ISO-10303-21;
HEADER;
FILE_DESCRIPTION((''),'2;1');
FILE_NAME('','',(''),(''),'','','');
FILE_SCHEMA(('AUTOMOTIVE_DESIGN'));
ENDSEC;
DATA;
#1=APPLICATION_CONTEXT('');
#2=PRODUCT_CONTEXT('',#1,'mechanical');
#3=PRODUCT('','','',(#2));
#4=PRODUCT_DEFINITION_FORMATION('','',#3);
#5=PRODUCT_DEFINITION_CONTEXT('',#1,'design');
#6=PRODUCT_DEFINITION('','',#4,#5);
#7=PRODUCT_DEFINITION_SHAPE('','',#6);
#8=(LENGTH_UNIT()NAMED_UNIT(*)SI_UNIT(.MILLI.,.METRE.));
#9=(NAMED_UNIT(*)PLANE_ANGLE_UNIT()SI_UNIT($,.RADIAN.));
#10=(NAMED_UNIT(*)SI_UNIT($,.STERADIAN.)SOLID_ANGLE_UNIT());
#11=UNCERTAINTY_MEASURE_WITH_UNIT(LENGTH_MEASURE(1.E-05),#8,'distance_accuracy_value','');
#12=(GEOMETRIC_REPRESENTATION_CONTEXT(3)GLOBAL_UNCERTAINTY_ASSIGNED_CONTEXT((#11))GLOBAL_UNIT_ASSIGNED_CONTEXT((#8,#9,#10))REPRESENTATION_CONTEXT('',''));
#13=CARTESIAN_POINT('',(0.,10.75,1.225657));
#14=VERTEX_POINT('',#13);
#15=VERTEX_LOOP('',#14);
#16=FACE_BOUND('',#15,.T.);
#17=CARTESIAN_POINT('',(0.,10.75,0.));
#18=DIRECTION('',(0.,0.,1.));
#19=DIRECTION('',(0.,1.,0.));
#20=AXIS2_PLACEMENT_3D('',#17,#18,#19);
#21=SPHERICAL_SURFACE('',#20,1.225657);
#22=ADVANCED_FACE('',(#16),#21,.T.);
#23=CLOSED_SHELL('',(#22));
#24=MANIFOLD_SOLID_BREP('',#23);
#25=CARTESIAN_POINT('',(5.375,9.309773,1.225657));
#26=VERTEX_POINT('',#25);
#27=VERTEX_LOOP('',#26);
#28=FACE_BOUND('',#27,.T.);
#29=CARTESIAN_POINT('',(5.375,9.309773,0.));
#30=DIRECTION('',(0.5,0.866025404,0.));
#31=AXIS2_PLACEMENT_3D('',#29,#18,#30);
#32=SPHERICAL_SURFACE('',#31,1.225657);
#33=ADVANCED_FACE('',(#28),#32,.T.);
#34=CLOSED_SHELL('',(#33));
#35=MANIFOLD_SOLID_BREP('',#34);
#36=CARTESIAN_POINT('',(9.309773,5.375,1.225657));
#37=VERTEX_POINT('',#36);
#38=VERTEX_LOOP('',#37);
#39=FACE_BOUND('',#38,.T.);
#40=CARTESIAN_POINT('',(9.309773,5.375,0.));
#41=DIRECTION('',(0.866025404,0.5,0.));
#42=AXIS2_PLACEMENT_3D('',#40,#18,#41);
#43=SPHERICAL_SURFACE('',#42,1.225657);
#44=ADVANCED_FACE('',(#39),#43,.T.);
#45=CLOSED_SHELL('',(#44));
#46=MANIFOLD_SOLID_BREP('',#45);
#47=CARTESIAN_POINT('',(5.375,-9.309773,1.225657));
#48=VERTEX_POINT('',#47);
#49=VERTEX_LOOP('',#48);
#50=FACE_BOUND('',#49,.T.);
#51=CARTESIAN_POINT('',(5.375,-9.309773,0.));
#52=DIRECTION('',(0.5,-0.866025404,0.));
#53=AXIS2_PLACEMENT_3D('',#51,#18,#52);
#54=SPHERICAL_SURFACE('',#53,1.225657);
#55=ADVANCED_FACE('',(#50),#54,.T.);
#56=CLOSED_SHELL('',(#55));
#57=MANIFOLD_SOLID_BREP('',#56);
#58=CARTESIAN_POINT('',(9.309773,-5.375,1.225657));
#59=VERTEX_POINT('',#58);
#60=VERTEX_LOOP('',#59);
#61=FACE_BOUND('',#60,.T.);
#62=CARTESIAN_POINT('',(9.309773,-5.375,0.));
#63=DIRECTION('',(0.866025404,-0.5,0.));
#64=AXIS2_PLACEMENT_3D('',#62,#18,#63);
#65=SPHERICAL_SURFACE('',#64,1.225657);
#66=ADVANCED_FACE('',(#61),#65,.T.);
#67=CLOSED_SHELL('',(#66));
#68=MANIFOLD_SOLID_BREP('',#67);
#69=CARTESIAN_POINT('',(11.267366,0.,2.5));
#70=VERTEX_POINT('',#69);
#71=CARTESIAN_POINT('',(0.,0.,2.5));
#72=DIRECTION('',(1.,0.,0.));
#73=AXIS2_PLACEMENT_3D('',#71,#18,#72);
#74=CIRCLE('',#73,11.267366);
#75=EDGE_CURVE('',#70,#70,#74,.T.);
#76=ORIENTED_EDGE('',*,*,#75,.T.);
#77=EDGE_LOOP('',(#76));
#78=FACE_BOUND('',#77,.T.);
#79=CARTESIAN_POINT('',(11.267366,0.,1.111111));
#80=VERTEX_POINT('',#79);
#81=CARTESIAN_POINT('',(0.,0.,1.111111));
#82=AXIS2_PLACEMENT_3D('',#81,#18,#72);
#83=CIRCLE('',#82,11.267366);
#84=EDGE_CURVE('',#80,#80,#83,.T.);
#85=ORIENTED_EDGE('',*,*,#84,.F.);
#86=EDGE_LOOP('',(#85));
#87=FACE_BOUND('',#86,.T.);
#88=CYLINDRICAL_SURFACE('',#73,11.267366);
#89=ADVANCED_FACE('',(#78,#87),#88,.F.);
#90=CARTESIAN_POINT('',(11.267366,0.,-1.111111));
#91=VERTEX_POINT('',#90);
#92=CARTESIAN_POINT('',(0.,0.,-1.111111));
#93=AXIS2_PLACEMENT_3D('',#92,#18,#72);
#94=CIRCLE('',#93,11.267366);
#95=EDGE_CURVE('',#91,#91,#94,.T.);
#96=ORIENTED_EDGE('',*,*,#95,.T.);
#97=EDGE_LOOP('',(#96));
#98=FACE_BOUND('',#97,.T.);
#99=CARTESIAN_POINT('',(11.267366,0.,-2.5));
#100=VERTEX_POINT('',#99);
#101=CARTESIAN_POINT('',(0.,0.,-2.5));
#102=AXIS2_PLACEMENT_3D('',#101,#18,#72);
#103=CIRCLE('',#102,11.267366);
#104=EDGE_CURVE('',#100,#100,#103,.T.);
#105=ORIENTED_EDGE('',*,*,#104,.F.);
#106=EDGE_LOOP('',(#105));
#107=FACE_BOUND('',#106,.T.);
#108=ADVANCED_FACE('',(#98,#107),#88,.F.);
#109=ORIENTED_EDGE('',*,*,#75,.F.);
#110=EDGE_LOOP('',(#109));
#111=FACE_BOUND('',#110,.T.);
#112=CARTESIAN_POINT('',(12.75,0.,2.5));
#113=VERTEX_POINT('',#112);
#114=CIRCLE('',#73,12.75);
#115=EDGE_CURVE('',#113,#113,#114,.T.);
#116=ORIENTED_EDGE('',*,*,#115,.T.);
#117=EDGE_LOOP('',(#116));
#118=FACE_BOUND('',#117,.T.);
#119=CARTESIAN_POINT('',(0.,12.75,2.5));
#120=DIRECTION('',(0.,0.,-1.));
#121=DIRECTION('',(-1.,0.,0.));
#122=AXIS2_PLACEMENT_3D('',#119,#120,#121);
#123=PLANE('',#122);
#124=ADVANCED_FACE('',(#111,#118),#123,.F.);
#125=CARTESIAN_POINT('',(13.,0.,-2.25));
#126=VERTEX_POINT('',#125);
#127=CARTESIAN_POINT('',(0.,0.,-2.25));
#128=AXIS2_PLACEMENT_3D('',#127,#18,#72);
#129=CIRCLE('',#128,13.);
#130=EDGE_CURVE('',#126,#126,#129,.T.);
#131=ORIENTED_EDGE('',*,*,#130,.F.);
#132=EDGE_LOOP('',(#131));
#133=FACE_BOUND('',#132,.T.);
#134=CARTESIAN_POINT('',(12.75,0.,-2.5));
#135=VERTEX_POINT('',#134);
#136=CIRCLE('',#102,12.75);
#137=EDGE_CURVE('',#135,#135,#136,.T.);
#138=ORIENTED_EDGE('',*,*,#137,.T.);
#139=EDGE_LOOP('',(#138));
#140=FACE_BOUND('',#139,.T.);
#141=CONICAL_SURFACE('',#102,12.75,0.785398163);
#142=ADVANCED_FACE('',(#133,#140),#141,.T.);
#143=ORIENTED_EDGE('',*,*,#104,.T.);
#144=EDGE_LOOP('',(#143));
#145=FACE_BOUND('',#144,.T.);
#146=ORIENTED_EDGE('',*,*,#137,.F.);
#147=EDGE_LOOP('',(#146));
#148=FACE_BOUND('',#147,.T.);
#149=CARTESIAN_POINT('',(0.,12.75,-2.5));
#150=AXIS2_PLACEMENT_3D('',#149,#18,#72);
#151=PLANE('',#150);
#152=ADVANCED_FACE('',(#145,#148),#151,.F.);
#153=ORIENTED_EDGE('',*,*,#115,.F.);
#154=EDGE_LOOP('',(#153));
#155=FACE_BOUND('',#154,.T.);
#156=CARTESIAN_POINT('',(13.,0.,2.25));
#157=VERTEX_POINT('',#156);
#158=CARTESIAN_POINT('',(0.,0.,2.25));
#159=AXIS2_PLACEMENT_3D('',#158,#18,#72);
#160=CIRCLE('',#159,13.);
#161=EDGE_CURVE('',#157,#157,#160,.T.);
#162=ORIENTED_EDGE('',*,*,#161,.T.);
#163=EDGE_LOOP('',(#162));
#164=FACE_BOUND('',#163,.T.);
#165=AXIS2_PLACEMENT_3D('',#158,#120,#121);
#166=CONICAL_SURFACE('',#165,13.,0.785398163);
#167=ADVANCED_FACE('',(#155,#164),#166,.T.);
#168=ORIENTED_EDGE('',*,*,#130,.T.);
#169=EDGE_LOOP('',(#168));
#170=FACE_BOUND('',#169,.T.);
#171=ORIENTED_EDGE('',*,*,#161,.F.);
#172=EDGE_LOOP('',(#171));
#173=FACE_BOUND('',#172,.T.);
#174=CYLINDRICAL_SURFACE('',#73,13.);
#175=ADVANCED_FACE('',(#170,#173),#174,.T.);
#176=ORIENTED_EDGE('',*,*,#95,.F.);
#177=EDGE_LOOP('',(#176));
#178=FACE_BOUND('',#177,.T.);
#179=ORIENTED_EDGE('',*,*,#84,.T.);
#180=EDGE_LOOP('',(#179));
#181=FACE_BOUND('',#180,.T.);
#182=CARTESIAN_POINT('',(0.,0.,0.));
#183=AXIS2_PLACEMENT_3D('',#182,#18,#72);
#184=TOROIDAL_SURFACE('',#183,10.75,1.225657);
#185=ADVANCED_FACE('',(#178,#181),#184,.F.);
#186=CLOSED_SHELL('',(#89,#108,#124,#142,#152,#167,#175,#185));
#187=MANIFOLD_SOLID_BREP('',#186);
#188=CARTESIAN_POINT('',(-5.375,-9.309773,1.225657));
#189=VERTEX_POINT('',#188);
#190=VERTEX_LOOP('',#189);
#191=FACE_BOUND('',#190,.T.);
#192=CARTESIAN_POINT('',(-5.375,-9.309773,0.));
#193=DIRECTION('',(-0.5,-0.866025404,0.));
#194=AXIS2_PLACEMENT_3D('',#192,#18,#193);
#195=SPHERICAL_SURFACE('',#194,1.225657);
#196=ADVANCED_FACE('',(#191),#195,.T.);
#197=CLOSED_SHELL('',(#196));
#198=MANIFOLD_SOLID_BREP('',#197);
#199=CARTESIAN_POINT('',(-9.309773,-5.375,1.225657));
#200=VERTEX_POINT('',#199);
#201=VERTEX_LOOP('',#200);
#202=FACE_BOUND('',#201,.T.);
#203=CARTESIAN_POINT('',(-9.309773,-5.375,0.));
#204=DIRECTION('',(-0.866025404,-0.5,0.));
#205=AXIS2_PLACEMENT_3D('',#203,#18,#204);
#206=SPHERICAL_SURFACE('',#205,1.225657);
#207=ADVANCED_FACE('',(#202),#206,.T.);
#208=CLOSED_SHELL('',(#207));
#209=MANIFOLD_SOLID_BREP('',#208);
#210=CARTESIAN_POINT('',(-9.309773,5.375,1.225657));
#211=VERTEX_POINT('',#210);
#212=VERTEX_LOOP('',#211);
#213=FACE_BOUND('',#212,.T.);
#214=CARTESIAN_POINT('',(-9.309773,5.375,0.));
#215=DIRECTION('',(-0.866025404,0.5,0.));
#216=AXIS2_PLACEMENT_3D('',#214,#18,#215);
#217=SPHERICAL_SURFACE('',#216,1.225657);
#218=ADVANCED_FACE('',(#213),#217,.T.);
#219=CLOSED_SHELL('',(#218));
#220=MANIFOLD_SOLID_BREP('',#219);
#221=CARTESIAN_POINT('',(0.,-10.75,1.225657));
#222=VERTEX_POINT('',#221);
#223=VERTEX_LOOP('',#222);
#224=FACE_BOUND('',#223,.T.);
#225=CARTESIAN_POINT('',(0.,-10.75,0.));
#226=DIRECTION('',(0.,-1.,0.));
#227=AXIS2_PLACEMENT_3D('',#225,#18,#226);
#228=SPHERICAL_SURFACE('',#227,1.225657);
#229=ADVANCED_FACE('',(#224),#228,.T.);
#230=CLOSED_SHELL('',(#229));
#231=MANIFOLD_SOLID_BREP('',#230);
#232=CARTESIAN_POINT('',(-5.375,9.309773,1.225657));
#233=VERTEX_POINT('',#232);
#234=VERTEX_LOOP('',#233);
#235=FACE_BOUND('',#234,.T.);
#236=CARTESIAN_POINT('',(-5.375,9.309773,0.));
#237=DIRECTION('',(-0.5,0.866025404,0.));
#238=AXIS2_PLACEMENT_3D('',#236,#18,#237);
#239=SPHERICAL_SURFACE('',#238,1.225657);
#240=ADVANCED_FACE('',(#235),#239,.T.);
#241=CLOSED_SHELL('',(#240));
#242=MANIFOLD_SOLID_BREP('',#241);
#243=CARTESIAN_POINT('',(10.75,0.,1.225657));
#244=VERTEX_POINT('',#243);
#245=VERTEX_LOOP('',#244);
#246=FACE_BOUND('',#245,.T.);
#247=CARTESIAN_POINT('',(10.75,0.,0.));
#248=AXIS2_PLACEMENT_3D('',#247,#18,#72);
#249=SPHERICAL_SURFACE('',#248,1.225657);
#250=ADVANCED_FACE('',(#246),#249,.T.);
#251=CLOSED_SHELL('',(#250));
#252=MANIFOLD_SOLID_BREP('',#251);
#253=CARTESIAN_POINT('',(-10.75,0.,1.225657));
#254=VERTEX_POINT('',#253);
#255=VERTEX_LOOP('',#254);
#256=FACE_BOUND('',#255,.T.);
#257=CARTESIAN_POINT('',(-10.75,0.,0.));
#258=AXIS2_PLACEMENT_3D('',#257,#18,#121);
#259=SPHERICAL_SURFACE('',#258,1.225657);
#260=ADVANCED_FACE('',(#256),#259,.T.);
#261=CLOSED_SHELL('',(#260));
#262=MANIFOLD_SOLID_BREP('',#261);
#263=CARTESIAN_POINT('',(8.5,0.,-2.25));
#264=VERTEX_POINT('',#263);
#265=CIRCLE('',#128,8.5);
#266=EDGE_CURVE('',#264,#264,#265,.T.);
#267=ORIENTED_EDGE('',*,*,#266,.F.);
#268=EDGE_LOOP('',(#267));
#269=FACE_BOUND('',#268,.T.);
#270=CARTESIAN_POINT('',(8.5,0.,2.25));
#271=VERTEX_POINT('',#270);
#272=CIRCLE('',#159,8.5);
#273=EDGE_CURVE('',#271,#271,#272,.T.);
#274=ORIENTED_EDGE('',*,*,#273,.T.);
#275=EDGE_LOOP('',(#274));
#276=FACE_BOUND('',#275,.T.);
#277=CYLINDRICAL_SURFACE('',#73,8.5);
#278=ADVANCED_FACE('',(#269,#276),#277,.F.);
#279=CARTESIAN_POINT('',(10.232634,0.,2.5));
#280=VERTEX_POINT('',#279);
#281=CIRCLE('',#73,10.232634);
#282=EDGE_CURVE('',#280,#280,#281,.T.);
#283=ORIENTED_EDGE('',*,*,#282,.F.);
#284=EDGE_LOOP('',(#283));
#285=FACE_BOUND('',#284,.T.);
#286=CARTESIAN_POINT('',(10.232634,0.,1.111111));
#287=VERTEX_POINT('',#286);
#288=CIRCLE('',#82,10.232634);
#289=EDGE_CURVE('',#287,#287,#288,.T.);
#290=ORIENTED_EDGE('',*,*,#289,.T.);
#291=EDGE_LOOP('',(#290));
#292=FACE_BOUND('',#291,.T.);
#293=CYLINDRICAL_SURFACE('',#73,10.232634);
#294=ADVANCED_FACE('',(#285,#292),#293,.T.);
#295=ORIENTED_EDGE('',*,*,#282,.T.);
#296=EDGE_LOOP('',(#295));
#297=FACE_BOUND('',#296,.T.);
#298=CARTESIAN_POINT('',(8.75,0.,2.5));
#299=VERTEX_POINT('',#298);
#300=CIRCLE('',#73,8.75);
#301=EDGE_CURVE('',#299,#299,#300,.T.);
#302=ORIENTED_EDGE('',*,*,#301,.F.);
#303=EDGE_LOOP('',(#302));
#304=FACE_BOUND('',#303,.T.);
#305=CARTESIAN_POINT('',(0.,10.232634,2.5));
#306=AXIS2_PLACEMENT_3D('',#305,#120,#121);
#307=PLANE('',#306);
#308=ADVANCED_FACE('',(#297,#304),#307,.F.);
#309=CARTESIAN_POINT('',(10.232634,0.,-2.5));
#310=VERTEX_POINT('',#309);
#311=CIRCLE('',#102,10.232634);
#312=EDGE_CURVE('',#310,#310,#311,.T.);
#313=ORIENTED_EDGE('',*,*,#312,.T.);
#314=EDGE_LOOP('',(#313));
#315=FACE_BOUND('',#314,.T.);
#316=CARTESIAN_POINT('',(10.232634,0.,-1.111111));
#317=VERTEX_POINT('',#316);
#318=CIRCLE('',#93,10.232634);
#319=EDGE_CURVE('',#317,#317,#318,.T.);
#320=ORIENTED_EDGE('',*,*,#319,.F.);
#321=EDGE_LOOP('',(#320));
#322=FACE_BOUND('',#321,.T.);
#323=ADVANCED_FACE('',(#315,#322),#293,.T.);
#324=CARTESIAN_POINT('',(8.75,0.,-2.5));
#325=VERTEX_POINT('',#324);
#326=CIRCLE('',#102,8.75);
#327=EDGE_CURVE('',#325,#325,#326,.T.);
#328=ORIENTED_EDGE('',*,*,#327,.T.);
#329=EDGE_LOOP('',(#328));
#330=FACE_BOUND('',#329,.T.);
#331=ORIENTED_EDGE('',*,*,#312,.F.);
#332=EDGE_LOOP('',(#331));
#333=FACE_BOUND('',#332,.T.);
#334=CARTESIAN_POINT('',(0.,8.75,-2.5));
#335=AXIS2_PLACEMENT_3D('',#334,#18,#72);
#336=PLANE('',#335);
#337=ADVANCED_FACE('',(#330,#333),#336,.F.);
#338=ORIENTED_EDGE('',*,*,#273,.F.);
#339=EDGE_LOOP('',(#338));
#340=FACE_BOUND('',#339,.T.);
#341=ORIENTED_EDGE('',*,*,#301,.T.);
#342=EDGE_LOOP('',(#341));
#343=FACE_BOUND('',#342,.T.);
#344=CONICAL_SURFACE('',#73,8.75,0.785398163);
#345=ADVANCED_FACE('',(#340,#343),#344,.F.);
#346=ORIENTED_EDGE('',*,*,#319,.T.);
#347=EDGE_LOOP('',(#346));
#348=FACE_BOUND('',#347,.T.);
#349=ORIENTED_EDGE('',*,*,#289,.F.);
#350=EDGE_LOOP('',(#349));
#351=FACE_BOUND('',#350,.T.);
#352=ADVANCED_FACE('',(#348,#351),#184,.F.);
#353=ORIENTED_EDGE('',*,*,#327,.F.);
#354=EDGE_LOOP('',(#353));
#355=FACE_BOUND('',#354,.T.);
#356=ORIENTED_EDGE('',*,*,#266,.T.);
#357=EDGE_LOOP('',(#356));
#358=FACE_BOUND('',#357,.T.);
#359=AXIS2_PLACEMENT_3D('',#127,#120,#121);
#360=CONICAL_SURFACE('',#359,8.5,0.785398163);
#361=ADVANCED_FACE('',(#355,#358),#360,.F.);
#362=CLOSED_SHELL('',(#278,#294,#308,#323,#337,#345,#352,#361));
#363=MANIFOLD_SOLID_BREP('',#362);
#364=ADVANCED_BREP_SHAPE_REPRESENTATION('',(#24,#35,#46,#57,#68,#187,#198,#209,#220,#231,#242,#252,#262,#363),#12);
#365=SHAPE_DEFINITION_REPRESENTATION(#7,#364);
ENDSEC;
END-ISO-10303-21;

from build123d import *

# Parameters (mm, degrees)
CIRPATTERN1_COUNT = 12


with BuildPart() as part:
    # Sketch1 → Revolve1 (revolve)
    with BuildSketch(Plane(origin=(0, 0, 0), x_dir=(0, 0, -1), z_dir=(1, 0, 0)), mode=Mode.PRIVATE) as revolve1_sk:
        with BuildLine():
            Line((2.25, 13), (-2.25, 13))
            Line((-2.25, 13), (-2.5, 12.75))
            Line((-2.5, 12.75), (-2.5, 11.267365936))
            Line((-2.5, 11.267365936), (-1.111111111, 11.267365936))
            ThreePointArc((-1.111111111, 11.267365936), (0, 11.975657135), (1.111111111, 11.267365936))
            Line((1.111111111, 11.267365936), (2.5, 11.267365936))
            Line((2.5, 11.267365936), (2.5, 12.75))
            Line((2.5, 12.75), (2.25, 13))
        make_face()
    revolve(revolve1_sk.sketch.rotate(Axis((0, 0, 2.5), (0, 0, -1)), 90), axis=Axis((0, 0, 2.5), (0, 0, -1)))


with BuildPart() as body_2:
    # Sketch3 → Revolve3 (revolve)
    with BuildSketch(Plane(origin=(0, 0, 0), x_dir=(0, 0, -1), z_dir=(1, 0, 0)), mode=Mode.PRIVATE) as revolve3_sk:
        with BuildLine():
            Line((-2.5, 10.232634064), (-1.111111111, 10.232634064))
            ThreePointArc((-1.111111111, 10.232634064), (0, 9.524342865), (1.111111111, 10.232634064))
            Line((1.111111111, 10.232634064), (2.5, 10.232634064))
            Line((2.5, 10.232634064), (2.5, 8.75))
            Line((2.5, 8.75), (2.25, 8.5))
            Line((2.25, 8.5), (-2.25, 8.5))
            Line((-2.25, 8.5), (-2.5, 8.75))
            Line((-2.5, 8.75), (-2.5, 10.232634064))
        make_face()
    revolve(revolve3_sk.sketch.rotate(Axis((0, 0, 2.5), (0, 0, -1)), 90), axis=Axis((0, 0, 2.5), (0, 0, -1)))


with BuildPart() as body_3:
    # Sketch4 → Revolve4 (revolve)
    with BuildSketch(Plane(origin=(0, 0, 0), x_dir=(0, 0, -1), z_dir=(1, 0, 0))):
        with BuildLine():
            Line((-1.225657135, 10.75), (1.225657135, 10.75))
            ThreePointArc((1.225657135, 10.75), (0, 11.975657135), (-1.225657135, 10.75))
        make_face()
    revolve(axis=Axis((0, 10.75, 1.225657135), (0, 0, -1)))


with BuildPart() as cirpattern1_1:
    # CirPattern1: pattern copy
    add(body_3.part.rotate(Axis((0, 0, 0), (0, 0, 1)), 1 * 360 / CIRPATTERN1_COUNT))


with BuildPart() as cirpattern1_2:
    # CirPattern1: pattern copy
    add(body_3.part.rotate(Axis((0, 0, 0), (0, 0, 1)), 2 * 360 / CIRPATTERN1_COUNT))


with BuildPart() as cirpattern1_3:
    # CirPattern1: pattern copy
    add(body_3.part.rotate(Axis((0, 0, 0), (0, 0, 1)), 3 * 360 / CIRPATTERN1_COUNT))


with BuildPart() as cirpattern1_4:
    # CirPattern1: pattern copy
    add(body_3.part.rotate(Axis((0, 0, 0), (0, 0, 1)), 4 * 360 / CIRPATTERN1_COUNT))


with BuildPart() as cirpattern1_5:
    # CirPattern1: pattern copy
    add(body_3.part.rotate(Axis((0, 0, 0), (0, 0, 1)), 5 * 360 / CIRPATTERN1_COUNT))


with BuildPart() as cirpattern1_6:
    # CirPattern1: pattern copy
    add(body_3.part.rotate(Axis((0, 0, 0), (0, 0, 1)), 6 * 360 / CIRPATTERN1_COUNT))


with BuildPart() as cirpattern1_7:
    # CirPattern1: pattern copy
    add(body_3.part.rotate(Axis((0, 0, 0), (0, 0, 1)), 7 * 360 / CIRPATTERN1_COUNT))


with BuildPart() as cirpattern1_8:
    # CirPattern1: pattern copy
    add(body_3.part.rotate(Axis((0, 0, 0), (0, 0, 1)), 8 * 360 / CIRPATTERN1_COUNT))


with BuildPart() as cirpattern1_9:
    # CirPattern1: pattern copy
    add(body_3.part.rotate(Axis((0, 0, 0), (0, 0, 1)), 9 * 360 / CIRPATTERN1_COUNT))


with BuildPart() as cirpattern1_10:
    # CirPattern1: pattern copy
    add(body_3.part.rotate(Axis((0, 0, 0), (0, 0, 1)), 10 * 360 / CIRPATTERN1_COUNT))


with BuildPart() as cirpattern1_11:
    # CirPattern1: pattern copy
    add(body_3.part.rotate(Axis((0, 0, 0), (0, 0, 1)), 11 * 360 / CIRPATTERN1_COUNT))


solid = Compound([part.part, body_2.part, body_3.part, cirpattern1_1.part, cirpattern1_2.part, cirpattern1_3.part, cirpattern1_4.part, cirpattern1_5.part, cirpattern1_6.part, cirpattern1_7.part, cirpattern1_8.part, cirpattern1_9.part, cirpattern1_10.part, cirpattern1_11.part])
